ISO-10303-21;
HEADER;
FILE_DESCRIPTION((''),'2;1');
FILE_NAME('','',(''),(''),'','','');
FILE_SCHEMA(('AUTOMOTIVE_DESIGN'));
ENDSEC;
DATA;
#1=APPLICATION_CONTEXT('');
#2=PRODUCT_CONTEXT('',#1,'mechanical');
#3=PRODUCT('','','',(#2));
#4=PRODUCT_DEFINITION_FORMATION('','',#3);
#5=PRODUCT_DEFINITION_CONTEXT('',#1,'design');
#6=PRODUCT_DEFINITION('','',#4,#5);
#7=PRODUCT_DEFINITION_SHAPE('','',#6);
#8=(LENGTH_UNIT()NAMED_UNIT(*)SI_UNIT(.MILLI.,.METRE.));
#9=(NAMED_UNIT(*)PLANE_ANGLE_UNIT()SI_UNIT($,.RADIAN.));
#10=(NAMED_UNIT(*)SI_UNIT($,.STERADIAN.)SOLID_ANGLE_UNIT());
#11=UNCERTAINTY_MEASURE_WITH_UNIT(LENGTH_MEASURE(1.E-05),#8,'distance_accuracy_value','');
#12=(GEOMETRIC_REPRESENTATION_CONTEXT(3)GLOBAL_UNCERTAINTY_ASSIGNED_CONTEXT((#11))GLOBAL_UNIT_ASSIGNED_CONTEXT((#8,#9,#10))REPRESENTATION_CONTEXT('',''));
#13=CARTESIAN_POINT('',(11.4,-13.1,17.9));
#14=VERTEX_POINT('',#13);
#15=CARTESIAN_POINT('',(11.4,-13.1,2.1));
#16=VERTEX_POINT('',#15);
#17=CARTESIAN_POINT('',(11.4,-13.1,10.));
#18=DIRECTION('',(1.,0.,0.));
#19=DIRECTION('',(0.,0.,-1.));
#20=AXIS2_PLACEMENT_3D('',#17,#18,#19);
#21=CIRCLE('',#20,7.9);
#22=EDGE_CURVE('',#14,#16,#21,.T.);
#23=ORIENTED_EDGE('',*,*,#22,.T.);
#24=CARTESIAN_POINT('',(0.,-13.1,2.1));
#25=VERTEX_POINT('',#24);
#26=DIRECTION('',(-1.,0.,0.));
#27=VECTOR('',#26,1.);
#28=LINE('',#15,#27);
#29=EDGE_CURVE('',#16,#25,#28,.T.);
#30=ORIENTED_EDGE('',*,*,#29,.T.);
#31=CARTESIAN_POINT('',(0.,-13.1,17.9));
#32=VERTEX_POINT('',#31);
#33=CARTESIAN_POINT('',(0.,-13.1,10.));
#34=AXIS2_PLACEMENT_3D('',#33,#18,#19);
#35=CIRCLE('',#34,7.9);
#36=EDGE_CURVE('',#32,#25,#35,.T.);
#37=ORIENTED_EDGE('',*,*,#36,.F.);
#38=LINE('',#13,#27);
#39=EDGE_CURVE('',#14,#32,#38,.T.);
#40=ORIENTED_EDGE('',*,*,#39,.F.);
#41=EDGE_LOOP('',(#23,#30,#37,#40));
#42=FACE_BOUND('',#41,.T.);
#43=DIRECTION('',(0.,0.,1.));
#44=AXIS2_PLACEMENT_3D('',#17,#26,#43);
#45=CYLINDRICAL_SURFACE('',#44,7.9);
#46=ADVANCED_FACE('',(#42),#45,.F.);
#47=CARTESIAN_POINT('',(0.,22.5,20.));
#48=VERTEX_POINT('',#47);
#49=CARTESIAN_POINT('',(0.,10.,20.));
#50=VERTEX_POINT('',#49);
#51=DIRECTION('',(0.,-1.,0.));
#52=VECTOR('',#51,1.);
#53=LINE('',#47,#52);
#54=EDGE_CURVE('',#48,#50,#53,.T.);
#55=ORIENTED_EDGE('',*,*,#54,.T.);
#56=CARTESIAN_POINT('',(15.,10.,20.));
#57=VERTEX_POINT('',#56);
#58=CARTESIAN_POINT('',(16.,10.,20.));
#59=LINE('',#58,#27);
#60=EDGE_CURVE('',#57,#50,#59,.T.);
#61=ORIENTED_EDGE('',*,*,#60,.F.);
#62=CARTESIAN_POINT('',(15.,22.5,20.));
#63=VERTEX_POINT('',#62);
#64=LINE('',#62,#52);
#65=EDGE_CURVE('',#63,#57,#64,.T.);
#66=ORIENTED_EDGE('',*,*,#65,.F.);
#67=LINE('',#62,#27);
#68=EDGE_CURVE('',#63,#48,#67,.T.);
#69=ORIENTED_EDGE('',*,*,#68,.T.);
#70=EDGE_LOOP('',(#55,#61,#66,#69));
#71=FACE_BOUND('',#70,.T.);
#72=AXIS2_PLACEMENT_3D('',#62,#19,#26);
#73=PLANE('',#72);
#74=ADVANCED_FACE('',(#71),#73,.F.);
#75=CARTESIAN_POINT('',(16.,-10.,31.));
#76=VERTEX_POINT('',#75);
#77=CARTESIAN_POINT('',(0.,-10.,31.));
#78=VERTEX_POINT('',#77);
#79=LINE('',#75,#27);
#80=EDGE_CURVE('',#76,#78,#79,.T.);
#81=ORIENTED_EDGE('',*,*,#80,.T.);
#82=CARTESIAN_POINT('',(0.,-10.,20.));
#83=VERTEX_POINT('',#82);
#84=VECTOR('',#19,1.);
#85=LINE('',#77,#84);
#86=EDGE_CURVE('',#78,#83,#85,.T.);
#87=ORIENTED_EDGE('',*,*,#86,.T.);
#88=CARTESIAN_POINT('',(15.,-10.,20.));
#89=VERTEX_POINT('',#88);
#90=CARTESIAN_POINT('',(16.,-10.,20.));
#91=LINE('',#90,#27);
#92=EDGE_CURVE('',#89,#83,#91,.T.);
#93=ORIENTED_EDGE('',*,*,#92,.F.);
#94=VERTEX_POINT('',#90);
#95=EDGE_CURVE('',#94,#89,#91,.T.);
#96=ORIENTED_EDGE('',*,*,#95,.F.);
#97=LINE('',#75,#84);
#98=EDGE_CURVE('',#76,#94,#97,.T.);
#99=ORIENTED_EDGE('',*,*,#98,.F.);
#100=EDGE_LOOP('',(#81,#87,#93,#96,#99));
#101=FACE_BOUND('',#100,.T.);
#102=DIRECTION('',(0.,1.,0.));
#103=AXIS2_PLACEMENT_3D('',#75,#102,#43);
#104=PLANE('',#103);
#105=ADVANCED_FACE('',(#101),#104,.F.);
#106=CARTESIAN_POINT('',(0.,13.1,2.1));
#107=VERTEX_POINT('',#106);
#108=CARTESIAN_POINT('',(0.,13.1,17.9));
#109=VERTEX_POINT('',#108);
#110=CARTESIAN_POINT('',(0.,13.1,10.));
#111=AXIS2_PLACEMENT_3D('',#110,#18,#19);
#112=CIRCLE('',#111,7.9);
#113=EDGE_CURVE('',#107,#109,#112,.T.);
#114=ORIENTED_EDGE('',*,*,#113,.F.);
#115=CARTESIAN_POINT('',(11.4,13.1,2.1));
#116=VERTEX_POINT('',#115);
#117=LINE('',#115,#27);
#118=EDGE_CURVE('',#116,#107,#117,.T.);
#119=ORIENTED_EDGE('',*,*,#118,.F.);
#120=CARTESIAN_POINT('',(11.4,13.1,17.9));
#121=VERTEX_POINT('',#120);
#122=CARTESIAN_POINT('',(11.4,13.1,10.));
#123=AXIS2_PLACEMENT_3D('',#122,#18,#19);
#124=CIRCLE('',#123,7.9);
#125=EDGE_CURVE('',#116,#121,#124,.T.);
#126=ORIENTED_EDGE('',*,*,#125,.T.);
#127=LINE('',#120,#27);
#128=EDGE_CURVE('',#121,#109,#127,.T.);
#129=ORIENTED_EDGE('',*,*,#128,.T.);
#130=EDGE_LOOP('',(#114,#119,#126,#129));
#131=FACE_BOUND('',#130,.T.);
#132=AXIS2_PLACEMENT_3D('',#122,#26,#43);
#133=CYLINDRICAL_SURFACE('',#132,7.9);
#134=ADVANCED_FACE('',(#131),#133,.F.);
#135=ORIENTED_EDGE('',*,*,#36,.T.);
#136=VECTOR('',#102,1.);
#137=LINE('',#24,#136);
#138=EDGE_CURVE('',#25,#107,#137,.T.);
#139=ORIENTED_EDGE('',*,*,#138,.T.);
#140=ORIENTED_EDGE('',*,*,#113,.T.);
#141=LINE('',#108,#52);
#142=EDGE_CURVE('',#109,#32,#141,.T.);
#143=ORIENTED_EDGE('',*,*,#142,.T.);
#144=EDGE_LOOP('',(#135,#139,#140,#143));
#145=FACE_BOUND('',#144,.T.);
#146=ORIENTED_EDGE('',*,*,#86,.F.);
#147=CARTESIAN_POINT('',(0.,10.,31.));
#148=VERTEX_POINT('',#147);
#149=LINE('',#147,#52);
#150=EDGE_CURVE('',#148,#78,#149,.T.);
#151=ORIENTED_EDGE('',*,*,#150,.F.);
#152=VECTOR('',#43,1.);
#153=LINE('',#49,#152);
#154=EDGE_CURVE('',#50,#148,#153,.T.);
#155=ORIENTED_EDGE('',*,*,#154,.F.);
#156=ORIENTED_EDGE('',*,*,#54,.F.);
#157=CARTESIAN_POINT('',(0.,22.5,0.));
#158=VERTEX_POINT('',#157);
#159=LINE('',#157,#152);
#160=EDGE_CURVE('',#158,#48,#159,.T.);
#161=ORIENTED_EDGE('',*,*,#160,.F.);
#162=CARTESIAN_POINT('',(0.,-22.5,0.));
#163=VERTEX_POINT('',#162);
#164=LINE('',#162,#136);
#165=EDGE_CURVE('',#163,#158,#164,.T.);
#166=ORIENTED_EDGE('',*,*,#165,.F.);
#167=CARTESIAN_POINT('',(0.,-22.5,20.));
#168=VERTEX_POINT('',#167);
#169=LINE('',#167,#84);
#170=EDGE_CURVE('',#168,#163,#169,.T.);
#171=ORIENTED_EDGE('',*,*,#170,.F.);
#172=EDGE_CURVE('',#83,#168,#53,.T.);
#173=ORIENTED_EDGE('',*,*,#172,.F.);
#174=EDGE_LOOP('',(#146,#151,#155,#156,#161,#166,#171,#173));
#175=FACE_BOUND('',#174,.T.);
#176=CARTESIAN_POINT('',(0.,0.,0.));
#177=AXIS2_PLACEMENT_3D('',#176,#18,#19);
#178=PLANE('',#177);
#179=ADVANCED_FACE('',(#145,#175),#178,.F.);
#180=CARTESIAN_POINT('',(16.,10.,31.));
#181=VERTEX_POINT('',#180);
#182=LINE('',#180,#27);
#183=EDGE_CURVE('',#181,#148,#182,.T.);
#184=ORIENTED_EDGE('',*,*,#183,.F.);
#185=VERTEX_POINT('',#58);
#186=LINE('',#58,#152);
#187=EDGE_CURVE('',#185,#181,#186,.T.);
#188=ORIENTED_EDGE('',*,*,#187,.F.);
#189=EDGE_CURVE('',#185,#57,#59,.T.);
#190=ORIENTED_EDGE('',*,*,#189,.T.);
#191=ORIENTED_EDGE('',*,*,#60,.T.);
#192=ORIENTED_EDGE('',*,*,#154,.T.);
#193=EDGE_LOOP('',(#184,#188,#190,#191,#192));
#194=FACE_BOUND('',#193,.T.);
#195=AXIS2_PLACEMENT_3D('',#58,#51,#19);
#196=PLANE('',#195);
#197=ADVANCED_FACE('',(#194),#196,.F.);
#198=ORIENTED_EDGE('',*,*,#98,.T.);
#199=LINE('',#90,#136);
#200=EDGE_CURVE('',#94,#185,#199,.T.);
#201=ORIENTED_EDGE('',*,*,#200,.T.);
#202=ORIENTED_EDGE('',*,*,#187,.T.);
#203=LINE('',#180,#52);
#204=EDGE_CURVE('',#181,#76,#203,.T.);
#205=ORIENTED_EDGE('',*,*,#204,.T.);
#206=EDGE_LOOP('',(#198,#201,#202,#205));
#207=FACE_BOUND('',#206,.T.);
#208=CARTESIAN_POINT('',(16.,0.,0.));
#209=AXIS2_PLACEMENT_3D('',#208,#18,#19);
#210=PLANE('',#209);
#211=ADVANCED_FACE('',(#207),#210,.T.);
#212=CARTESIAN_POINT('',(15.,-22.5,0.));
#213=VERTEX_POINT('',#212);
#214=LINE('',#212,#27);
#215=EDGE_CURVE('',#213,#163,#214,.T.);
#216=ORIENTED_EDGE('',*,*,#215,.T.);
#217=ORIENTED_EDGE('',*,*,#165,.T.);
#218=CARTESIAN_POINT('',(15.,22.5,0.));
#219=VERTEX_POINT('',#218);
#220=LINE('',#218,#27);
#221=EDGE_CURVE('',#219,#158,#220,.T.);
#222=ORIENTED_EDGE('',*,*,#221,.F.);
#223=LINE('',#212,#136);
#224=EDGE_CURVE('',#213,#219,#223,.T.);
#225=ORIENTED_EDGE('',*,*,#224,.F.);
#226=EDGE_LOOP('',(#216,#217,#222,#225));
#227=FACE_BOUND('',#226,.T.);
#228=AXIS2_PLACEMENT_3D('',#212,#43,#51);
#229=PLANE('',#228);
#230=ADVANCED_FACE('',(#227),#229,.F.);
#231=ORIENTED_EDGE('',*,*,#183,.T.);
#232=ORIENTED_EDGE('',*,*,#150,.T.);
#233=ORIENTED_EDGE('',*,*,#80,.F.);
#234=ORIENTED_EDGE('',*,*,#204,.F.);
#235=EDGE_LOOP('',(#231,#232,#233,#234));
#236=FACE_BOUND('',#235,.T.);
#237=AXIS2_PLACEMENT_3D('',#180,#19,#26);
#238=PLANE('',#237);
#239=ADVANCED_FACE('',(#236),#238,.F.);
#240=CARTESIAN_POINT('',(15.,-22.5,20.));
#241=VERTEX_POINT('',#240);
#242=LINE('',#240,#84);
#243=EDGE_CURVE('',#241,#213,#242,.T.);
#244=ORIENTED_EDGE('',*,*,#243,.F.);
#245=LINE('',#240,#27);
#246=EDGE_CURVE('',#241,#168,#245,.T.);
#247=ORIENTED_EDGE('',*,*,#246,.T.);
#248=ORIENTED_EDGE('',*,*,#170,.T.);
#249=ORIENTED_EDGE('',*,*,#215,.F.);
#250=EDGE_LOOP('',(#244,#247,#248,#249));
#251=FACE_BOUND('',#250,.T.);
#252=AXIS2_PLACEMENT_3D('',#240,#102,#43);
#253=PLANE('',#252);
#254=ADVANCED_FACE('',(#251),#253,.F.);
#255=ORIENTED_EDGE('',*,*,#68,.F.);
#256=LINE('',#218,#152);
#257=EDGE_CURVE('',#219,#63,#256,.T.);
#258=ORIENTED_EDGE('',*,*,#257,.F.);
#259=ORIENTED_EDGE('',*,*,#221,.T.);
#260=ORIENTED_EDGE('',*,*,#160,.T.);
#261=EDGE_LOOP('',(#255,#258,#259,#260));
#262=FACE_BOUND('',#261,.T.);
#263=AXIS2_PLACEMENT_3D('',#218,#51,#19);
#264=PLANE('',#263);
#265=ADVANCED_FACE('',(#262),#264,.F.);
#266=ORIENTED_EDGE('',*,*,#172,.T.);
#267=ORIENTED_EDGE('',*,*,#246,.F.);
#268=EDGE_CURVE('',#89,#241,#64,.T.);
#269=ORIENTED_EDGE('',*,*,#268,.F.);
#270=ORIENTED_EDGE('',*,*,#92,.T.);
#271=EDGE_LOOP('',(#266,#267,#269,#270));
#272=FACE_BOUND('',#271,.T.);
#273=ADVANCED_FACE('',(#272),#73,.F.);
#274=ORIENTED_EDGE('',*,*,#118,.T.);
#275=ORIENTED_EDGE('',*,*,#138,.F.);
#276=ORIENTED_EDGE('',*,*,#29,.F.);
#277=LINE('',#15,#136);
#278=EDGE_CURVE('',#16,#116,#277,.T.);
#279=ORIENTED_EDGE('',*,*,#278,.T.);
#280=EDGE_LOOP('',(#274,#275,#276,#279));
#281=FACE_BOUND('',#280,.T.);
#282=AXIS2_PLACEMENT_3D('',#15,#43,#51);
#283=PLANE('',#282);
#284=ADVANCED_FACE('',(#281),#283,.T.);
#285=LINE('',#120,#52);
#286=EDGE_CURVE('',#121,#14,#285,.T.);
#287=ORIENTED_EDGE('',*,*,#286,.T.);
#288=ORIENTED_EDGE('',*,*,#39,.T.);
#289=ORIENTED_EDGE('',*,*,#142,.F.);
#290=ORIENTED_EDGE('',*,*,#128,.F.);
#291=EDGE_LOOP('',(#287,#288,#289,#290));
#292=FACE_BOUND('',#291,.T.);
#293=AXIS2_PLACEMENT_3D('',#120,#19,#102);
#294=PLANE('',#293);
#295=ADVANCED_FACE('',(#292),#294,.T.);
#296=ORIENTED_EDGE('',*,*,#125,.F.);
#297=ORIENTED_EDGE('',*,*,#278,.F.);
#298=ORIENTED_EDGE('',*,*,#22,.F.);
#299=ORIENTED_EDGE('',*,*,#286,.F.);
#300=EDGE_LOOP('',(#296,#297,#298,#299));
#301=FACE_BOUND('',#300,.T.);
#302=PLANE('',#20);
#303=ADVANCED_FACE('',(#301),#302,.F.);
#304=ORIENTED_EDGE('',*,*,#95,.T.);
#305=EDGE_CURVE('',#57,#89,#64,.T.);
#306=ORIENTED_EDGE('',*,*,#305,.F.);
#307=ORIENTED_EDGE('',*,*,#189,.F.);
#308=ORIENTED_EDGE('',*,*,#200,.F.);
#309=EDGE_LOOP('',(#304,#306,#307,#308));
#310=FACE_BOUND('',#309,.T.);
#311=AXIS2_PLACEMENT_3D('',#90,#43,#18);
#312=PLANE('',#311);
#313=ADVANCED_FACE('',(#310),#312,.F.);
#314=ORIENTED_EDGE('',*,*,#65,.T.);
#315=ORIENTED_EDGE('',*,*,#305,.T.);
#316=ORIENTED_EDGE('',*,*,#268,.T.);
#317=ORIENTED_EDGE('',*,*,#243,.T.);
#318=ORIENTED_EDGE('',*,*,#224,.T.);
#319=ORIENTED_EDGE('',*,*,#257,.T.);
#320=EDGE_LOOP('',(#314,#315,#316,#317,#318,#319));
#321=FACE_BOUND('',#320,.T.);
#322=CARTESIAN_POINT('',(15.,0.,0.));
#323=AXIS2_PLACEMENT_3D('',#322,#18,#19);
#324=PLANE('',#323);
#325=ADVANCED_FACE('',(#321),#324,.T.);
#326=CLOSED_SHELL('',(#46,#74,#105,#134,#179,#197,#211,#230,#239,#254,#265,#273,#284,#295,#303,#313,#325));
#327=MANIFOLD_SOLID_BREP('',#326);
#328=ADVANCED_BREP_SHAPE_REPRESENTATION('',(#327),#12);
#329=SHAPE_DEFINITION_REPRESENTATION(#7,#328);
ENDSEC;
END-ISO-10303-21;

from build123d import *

# Parameters (mm, degrees)
SKETCH_1_W          = 20
SKETCH_1_H          = 45
EXTRUDE_1_DEPTH     = 15
SKETCH_4_W          = 11
SKETCH_4_H          = 20
EXTRUDE_2_DEPTH     = 16
CUT_EXTRUDE_1_DEPTH = 11.4


with BuildPart() as part:
    # 草图1 → 凸台-拉伸1 (new body)
    with BuildSketch(Plane(origin=(0, 0, 0), x_dir=(0, 0, -1), z_dir=(1, 0, 0))):
        with Locations((-10, 0)):
            Rectangle(SKETCH_1_W, SKETCH_1_H)
    extrude(amount=EXTRUDE_1_DEPTH)

    # 草图4 → 凸台-拉伸2 (add)
    with BuildSketch(Plane(origin=(0, 0, 0), x_dir=(0, 0, -1), z_dir=(1, 0, 0))):
        with Locations((-25.5, 0)):
            Rectangle(SKETCH_4_W, SKETCH_4_H)
    extrude(amount=EXTRUDE_2_DEPTH)

    # 草图2 → 切除-拉伸1 (cut)
    with BuildSketch(Plane(origin=(0, 0, 0), x_dir=(0, 0, -1), z_dir=(1, 0, 0))):
        with BuildLine():
            Line((-17.9, 13.1), (-17.9, -13.1))
            ThreePointArc((-17.9, -13.1), (-10, -21), (-2.1, -13.1))
            Line((-2.1, -13.1), (-2.1, 13.1))
            ThreePointArc((-2.1, 13.1), (-10, 21), (-17.9, 13.1))
        make_face()
    extrude(amount=CUT_EXTRUDE_1_DEPTH, mode=Mode.SUBTRACT)


solid = part.part
